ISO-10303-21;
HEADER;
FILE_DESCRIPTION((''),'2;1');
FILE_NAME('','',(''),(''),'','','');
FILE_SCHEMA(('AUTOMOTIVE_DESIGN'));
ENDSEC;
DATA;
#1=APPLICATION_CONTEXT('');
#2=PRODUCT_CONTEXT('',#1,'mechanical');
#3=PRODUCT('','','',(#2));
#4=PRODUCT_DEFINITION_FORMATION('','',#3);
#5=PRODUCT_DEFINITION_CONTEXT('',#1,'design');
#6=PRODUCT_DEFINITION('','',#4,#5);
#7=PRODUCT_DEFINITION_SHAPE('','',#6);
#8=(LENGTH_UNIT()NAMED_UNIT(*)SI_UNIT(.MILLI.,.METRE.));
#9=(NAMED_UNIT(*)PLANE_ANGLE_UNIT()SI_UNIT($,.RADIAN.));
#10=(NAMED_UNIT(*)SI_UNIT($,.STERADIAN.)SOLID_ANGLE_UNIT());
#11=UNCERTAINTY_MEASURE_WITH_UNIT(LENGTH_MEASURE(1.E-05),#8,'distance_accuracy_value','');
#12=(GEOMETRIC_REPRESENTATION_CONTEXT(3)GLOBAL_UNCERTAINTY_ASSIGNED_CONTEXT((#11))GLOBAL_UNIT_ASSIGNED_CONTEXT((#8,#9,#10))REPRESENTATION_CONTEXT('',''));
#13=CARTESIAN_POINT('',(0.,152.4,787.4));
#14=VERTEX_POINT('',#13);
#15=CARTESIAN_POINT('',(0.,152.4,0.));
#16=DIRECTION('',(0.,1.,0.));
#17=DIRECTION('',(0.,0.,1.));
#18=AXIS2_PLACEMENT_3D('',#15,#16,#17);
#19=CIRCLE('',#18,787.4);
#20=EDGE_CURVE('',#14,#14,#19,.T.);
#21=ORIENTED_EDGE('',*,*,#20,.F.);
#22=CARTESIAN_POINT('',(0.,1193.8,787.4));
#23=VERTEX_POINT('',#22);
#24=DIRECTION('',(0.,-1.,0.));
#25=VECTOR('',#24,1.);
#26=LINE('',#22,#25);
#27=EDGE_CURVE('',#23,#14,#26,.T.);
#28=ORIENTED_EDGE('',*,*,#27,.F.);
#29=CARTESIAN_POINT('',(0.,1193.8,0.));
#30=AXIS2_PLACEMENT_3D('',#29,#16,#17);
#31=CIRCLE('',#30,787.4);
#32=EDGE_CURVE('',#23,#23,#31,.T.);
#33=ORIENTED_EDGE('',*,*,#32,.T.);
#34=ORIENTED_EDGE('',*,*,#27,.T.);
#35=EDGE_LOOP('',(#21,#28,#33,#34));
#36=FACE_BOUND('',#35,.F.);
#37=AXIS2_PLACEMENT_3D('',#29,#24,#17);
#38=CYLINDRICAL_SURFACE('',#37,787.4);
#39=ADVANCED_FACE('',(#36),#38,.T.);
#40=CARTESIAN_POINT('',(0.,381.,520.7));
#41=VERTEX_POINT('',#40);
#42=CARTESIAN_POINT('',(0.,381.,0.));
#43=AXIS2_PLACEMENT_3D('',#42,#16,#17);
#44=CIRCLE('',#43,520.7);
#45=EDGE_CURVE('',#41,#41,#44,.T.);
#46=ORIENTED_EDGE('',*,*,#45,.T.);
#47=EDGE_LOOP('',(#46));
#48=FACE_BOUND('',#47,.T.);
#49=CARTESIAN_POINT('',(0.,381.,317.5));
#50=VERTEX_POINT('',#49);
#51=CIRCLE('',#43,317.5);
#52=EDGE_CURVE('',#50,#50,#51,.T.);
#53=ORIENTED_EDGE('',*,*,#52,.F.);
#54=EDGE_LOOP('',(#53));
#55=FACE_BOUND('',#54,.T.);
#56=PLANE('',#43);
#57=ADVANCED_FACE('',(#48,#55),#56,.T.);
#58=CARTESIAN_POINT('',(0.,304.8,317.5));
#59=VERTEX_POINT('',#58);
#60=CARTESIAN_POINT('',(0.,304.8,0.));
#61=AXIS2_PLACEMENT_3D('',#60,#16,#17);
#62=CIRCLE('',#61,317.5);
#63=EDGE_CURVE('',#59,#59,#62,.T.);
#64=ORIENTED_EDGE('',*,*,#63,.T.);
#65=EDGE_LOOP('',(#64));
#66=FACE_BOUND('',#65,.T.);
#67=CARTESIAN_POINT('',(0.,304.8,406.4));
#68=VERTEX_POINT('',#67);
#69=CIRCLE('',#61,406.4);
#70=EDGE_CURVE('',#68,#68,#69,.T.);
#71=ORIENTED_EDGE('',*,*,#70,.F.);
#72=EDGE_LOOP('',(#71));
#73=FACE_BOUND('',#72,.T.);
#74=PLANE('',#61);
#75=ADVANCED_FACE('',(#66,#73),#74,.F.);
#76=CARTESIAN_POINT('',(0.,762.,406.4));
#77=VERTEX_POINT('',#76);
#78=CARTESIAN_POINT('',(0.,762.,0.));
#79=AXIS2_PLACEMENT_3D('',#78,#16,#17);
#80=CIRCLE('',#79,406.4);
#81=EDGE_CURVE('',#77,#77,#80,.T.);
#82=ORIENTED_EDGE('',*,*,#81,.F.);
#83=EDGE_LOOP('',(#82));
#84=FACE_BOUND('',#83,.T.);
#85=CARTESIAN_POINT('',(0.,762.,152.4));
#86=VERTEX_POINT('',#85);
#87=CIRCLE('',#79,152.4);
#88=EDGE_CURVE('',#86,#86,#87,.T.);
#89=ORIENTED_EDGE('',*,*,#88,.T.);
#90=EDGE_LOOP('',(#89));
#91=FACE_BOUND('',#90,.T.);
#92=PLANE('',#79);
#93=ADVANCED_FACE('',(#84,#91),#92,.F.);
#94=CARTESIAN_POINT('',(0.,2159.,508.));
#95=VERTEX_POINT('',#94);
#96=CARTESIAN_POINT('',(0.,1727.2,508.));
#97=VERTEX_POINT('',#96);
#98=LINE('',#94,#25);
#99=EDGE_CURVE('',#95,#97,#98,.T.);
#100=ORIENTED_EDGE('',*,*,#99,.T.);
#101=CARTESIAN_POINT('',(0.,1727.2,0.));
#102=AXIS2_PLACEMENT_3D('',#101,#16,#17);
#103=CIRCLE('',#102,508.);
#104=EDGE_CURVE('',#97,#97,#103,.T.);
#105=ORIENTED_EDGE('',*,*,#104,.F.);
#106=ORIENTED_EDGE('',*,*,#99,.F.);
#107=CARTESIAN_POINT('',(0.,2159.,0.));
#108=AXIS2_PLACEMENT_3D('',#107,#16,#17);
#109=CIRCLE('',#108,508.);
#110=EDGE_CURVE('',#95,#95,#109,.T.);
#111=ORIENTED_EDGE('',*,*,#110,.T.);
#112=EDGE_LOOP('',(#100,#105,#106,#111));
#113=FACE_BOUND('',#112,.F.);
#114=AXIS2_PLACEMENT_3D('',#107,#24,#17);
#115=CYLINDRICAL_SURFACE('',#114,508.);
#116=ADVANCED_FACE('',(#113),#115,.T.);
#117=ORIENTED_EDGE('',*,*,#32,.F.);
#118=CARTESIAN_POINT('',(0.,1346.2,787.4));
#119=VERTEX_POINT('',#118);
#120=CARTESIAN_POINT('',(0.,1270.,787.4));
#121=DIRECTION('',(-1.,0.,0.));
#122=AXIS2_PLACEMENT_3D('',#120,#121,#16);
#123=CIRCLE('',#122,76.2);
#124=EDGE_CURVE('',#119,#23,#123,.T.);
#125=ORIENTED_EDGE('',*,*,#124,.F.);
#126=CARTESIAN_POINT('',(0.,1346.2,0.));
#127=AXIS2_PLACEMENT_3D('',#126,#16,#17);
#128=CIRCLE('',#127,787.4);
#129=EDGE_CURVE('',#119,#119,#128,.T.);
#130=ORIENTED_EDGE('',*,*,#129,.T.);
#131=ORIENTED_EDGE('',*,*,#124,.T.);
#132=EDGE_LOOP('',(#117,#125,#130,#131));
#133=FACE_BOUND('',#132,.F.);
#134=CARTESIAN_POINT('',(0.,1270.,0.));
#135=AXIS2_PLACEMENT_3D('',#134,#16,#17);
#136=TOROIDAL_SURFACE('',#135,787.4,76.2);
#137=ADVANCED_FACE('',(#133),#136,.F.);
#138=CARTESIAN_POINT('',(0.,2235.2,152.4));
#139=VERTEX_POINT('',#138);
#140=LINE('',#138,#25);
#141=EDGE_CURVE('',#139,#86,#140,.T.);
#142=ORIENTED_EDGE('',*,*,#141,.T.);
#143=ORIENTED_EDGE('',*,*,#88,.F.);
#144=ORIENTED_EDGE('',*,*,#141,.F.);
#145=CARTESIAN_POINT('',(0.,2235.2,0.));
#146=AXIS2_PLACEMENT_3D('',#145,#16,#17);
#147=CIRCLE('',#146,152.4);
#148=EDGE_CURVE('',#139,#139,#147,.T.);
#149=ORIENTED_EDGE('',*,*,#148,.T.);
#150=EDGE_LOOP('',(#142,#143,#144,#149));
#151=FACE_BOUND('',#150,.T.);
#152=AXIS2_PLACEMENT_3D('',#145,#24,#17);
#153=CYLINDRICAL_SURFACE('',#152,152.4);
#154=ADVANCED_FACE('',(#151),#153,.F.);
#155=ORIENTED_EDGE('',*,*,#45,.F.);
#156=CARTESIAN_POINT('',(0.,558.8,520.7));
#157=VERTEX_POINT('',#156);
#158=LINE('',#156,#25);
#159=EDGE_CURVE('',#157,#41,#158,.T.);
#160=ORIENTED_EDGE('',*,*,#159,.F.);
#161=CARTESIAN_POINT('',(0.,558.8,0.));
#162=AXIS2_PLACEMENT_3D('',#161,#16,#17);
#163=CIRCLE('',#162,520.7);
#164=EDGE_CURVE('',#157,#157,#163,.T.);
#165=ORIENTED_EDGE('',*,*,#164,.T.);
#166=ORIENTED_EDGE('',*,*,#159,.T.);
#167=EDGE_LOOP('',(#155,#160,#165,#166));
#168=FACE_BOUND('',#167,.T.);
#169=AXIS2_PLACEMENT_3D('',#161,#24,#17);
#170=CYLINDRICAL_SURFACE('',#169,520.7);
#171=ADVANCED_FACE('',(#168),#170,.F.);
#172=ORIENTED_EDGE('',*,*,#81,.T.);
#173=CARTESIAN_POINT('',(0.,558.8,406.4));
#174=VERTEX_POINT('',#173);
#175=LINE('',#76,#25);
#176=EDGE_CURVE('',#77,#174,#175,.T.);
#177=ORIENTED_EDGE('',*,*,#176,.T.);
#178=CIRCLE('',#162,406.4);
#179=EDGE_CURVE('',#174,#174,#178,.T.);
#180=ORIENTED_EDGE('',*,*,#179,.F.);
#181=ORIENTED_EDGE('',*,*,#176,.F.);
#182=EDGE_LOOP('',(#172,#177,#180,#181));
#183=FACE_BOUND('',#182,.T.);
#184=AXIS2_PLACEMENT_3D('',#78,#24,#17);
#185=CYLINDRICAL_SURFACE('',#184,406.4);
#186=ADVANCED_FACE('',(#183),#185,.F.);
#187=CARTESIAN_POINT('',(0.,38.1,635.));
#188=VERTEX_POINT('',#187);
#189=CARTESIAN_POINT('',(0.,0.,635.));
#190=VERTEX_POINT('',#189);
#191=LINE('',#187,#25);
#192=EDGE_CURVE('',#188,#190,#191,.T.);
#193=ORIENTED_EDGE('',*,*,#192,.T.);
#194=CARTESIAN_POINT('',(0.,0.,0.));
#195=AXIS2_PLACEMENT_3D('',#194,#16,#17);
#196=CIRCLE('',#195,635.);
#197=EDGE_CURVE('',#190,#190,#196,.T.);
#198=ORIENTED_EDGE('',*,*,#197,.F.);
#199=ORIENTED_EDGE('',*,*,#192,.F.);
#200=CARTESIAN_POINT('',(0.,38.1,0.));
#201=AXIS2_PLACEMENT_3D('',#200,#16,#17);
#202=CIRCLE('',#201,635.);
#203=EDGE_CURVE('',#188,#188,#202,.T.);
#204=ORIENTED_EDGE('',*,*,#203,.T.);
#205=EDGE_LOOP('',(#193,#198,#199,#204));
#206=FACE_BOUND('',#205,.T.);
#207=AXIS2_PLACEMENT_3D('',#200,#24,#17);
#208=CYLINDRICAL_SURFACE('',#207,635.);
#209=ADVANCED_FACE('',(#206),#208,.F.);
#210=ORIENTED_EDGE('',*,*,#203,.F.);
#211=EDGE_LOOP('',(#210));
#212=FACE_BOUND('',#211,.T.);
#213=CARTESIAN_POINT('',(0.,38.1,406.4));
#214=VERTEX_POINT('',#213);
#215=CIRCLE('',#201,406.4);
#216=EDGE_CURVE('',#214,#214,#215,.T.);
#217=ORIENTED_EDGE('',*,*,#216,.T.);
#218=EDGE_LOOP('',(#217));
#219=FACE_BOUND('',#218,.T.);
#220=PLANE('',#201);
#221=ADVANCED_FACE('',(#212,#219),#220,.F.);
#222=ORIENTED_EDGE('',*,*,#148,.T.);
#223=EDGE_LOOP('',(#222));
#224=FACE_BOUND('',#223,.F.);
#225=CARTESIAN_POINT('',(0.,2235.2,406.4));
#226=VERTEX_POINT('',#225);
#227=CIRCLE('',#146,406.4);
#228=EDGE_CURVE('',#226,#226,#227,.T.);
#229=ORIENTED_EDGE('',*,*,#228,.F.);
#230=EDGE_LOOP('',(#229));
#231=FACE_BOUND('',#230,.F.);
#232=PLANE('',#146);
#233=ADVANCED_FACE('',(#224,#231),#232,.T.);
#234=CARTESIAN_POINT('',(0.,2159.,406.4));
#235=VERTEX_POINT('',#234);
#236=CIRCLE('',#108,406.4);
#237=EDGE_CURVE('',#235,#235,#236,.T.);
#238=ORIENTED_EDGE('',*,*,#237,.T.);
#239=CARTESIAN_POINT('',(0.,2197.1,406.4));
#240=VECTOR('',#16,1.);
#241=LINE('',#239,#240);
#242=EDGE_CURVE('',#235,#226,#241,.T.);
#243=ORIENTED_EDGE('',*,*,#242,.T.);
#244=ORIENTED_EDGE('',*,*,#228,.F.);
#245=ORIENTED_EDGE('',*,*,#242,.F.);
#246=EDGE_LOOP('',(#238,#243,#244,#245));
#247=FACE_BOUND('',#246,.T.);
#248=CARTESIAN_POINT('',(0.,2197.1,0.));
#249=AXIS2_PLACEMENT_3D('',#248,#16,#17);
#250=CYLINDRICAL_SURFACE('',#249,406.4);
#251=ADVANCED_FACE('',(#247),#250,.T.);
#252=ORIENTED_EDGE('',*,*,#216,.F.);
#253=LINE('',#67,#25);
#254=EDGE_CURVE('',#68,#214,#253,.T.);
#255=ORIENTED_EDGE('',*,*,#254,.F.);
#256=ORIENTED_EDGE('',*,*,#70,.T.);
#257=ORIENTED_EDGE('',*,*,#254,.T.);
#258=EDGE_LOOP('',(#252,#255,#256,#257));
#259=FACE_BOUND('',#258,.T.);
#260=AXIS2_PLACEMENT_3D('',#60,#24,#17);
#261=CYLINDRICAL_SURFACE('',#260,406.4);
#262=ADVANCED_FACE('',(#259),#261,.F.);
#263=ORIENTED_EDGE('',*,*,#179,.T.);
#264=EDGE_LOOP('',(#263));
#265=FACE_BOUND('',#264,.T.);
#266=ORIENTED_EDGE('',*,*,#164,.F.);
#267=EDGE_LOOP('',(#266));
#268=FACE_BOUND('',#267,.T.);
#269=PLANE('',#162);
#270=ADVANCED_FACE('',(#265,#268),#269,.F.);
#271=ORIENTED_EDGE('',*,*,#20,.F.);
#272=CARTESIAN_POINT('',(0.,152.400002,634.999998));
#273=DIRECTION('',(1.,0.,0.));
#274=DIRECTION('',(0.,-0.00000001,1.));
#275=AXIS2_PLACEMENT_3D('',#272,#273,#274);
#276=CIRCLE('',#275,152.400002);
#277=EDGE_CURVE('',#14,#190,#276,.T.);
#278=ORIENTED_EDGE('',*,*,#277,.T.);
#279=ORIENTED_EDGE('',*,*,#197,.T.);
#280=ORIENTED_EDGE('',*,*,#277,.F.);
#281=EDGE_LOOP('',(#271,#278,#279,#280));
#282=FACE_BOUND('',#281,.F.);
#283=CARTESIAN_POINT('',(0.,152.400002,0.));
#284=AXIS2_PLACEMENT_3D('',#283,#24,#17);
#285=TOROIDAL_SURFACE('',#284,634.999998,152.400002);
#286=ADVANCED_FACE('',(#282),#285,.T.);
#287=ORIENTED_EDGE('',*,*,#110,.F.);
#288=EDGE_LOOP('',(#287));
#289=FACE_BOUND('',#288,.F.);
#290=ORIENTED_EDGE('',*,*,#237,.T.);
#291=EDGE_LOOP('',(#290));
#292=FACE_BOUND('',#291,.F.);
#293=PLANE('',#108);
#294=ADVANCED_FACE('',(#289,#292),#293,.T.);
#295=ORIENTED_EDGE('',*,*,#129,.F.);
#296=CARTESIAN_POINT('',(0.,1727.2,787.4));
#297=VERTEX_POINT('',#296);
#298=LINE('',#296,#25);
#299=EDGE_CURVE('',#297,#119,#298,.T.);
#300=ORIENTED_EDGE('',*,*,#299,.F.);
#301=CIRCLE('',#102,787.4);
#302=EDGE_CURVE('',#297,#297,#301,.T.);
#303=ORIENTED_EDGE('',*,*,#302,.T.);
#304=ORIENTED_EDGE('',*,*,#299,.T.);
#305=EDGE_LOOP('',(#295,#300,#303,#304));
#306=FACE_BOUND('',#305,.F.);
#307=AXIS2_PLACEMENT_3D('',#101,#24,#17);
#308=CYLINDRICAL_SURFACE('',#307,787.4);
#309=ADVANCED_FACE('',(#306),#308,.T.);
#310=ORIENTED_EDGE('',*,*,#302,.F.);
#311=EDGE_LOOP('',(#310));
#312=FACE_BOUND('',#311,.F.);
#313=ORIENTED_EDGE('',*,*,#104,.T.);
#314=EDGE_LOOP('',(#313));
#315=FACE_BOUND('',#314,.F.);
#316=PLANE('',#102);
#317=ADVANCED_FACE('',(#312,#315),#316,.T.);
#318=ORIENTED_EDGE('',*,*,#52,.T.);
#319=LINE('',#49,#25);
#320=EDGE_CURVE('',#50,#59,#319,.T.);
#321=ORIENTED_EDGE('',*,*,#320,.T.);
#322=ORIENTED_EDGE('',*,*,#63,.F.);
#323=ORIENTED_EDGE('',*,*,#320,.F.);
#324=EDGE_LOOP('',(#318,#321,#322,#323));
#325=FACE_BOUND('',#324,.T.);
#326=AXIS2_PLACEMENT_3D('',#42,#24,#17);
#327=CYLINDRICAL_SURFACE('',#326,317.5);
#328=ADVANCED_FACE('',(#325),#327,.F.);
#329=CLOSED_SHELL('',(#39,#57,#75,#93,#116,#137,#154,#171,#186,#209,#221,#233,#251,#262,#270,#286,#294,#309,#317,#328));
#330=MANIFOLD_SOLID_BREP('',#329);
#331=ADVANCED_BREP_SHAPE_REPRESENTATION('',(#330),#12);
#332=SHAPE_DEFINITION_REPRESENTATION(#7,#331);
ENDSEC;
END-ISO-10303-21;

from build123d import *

# Parameters (mm, degrees)
F0_W = 76.2
F0_H = 406.4


with BuildPart() as f1:
    # F0 (on Right) → F1 (revolve)
    with BuildSketch(Plane.YZ):
        with Locations((2197.1, 203.2)):
            Rectangle(F0_W, F0_H)
        Polygon((1727.2, 508), (1727.2, 0), (2159, 0), (2159, 406.4), (2159, 508), align=None)
        with BuildLine():
            Line((0, 635), (0, 0))
            Line((0, 0), (1727.2, 0))
            Line((1727.2, 0), (1727.2, 508))
            Line((1727.2, 508), (1727.2, 787.4))
            Line((1727.2, 787.4), (1346.2, 787.4))
            ThreePointArc((1346.2, 787.4), (1270, 711.2), (1193.8, 787.4))
            Line((1193.8, 787.4), (152.4, 787.4))
            ThreePointArc((152.4, 787.4), (44.636927, 742.763073), (0, 635))
        make_face()
    revolve(axis=Axis((0, 1117.6, 0), (0, 1, 0)))

    # F2 (on Right) → F3 (revolve, cut)
    with BuildSketch(Plane.YZ):
        Polygon((0, 635), (0, 0), (2235.2, 0), (2235.2, 152.4), (762, 152.4), (762, 406.4), (558.8, 406.4), (558.8, 520.7), (381, 520.7), (381, 317.5), (304.8, 317.5), (304.8, 406.4), (38.1, 406.4), (38.1, 635), align=None)
    revolve(axis=Axis((0, 1117.6, 0), (0, 1, 0)), mode=Mode.SUBTRACT)


solid = f1.part
